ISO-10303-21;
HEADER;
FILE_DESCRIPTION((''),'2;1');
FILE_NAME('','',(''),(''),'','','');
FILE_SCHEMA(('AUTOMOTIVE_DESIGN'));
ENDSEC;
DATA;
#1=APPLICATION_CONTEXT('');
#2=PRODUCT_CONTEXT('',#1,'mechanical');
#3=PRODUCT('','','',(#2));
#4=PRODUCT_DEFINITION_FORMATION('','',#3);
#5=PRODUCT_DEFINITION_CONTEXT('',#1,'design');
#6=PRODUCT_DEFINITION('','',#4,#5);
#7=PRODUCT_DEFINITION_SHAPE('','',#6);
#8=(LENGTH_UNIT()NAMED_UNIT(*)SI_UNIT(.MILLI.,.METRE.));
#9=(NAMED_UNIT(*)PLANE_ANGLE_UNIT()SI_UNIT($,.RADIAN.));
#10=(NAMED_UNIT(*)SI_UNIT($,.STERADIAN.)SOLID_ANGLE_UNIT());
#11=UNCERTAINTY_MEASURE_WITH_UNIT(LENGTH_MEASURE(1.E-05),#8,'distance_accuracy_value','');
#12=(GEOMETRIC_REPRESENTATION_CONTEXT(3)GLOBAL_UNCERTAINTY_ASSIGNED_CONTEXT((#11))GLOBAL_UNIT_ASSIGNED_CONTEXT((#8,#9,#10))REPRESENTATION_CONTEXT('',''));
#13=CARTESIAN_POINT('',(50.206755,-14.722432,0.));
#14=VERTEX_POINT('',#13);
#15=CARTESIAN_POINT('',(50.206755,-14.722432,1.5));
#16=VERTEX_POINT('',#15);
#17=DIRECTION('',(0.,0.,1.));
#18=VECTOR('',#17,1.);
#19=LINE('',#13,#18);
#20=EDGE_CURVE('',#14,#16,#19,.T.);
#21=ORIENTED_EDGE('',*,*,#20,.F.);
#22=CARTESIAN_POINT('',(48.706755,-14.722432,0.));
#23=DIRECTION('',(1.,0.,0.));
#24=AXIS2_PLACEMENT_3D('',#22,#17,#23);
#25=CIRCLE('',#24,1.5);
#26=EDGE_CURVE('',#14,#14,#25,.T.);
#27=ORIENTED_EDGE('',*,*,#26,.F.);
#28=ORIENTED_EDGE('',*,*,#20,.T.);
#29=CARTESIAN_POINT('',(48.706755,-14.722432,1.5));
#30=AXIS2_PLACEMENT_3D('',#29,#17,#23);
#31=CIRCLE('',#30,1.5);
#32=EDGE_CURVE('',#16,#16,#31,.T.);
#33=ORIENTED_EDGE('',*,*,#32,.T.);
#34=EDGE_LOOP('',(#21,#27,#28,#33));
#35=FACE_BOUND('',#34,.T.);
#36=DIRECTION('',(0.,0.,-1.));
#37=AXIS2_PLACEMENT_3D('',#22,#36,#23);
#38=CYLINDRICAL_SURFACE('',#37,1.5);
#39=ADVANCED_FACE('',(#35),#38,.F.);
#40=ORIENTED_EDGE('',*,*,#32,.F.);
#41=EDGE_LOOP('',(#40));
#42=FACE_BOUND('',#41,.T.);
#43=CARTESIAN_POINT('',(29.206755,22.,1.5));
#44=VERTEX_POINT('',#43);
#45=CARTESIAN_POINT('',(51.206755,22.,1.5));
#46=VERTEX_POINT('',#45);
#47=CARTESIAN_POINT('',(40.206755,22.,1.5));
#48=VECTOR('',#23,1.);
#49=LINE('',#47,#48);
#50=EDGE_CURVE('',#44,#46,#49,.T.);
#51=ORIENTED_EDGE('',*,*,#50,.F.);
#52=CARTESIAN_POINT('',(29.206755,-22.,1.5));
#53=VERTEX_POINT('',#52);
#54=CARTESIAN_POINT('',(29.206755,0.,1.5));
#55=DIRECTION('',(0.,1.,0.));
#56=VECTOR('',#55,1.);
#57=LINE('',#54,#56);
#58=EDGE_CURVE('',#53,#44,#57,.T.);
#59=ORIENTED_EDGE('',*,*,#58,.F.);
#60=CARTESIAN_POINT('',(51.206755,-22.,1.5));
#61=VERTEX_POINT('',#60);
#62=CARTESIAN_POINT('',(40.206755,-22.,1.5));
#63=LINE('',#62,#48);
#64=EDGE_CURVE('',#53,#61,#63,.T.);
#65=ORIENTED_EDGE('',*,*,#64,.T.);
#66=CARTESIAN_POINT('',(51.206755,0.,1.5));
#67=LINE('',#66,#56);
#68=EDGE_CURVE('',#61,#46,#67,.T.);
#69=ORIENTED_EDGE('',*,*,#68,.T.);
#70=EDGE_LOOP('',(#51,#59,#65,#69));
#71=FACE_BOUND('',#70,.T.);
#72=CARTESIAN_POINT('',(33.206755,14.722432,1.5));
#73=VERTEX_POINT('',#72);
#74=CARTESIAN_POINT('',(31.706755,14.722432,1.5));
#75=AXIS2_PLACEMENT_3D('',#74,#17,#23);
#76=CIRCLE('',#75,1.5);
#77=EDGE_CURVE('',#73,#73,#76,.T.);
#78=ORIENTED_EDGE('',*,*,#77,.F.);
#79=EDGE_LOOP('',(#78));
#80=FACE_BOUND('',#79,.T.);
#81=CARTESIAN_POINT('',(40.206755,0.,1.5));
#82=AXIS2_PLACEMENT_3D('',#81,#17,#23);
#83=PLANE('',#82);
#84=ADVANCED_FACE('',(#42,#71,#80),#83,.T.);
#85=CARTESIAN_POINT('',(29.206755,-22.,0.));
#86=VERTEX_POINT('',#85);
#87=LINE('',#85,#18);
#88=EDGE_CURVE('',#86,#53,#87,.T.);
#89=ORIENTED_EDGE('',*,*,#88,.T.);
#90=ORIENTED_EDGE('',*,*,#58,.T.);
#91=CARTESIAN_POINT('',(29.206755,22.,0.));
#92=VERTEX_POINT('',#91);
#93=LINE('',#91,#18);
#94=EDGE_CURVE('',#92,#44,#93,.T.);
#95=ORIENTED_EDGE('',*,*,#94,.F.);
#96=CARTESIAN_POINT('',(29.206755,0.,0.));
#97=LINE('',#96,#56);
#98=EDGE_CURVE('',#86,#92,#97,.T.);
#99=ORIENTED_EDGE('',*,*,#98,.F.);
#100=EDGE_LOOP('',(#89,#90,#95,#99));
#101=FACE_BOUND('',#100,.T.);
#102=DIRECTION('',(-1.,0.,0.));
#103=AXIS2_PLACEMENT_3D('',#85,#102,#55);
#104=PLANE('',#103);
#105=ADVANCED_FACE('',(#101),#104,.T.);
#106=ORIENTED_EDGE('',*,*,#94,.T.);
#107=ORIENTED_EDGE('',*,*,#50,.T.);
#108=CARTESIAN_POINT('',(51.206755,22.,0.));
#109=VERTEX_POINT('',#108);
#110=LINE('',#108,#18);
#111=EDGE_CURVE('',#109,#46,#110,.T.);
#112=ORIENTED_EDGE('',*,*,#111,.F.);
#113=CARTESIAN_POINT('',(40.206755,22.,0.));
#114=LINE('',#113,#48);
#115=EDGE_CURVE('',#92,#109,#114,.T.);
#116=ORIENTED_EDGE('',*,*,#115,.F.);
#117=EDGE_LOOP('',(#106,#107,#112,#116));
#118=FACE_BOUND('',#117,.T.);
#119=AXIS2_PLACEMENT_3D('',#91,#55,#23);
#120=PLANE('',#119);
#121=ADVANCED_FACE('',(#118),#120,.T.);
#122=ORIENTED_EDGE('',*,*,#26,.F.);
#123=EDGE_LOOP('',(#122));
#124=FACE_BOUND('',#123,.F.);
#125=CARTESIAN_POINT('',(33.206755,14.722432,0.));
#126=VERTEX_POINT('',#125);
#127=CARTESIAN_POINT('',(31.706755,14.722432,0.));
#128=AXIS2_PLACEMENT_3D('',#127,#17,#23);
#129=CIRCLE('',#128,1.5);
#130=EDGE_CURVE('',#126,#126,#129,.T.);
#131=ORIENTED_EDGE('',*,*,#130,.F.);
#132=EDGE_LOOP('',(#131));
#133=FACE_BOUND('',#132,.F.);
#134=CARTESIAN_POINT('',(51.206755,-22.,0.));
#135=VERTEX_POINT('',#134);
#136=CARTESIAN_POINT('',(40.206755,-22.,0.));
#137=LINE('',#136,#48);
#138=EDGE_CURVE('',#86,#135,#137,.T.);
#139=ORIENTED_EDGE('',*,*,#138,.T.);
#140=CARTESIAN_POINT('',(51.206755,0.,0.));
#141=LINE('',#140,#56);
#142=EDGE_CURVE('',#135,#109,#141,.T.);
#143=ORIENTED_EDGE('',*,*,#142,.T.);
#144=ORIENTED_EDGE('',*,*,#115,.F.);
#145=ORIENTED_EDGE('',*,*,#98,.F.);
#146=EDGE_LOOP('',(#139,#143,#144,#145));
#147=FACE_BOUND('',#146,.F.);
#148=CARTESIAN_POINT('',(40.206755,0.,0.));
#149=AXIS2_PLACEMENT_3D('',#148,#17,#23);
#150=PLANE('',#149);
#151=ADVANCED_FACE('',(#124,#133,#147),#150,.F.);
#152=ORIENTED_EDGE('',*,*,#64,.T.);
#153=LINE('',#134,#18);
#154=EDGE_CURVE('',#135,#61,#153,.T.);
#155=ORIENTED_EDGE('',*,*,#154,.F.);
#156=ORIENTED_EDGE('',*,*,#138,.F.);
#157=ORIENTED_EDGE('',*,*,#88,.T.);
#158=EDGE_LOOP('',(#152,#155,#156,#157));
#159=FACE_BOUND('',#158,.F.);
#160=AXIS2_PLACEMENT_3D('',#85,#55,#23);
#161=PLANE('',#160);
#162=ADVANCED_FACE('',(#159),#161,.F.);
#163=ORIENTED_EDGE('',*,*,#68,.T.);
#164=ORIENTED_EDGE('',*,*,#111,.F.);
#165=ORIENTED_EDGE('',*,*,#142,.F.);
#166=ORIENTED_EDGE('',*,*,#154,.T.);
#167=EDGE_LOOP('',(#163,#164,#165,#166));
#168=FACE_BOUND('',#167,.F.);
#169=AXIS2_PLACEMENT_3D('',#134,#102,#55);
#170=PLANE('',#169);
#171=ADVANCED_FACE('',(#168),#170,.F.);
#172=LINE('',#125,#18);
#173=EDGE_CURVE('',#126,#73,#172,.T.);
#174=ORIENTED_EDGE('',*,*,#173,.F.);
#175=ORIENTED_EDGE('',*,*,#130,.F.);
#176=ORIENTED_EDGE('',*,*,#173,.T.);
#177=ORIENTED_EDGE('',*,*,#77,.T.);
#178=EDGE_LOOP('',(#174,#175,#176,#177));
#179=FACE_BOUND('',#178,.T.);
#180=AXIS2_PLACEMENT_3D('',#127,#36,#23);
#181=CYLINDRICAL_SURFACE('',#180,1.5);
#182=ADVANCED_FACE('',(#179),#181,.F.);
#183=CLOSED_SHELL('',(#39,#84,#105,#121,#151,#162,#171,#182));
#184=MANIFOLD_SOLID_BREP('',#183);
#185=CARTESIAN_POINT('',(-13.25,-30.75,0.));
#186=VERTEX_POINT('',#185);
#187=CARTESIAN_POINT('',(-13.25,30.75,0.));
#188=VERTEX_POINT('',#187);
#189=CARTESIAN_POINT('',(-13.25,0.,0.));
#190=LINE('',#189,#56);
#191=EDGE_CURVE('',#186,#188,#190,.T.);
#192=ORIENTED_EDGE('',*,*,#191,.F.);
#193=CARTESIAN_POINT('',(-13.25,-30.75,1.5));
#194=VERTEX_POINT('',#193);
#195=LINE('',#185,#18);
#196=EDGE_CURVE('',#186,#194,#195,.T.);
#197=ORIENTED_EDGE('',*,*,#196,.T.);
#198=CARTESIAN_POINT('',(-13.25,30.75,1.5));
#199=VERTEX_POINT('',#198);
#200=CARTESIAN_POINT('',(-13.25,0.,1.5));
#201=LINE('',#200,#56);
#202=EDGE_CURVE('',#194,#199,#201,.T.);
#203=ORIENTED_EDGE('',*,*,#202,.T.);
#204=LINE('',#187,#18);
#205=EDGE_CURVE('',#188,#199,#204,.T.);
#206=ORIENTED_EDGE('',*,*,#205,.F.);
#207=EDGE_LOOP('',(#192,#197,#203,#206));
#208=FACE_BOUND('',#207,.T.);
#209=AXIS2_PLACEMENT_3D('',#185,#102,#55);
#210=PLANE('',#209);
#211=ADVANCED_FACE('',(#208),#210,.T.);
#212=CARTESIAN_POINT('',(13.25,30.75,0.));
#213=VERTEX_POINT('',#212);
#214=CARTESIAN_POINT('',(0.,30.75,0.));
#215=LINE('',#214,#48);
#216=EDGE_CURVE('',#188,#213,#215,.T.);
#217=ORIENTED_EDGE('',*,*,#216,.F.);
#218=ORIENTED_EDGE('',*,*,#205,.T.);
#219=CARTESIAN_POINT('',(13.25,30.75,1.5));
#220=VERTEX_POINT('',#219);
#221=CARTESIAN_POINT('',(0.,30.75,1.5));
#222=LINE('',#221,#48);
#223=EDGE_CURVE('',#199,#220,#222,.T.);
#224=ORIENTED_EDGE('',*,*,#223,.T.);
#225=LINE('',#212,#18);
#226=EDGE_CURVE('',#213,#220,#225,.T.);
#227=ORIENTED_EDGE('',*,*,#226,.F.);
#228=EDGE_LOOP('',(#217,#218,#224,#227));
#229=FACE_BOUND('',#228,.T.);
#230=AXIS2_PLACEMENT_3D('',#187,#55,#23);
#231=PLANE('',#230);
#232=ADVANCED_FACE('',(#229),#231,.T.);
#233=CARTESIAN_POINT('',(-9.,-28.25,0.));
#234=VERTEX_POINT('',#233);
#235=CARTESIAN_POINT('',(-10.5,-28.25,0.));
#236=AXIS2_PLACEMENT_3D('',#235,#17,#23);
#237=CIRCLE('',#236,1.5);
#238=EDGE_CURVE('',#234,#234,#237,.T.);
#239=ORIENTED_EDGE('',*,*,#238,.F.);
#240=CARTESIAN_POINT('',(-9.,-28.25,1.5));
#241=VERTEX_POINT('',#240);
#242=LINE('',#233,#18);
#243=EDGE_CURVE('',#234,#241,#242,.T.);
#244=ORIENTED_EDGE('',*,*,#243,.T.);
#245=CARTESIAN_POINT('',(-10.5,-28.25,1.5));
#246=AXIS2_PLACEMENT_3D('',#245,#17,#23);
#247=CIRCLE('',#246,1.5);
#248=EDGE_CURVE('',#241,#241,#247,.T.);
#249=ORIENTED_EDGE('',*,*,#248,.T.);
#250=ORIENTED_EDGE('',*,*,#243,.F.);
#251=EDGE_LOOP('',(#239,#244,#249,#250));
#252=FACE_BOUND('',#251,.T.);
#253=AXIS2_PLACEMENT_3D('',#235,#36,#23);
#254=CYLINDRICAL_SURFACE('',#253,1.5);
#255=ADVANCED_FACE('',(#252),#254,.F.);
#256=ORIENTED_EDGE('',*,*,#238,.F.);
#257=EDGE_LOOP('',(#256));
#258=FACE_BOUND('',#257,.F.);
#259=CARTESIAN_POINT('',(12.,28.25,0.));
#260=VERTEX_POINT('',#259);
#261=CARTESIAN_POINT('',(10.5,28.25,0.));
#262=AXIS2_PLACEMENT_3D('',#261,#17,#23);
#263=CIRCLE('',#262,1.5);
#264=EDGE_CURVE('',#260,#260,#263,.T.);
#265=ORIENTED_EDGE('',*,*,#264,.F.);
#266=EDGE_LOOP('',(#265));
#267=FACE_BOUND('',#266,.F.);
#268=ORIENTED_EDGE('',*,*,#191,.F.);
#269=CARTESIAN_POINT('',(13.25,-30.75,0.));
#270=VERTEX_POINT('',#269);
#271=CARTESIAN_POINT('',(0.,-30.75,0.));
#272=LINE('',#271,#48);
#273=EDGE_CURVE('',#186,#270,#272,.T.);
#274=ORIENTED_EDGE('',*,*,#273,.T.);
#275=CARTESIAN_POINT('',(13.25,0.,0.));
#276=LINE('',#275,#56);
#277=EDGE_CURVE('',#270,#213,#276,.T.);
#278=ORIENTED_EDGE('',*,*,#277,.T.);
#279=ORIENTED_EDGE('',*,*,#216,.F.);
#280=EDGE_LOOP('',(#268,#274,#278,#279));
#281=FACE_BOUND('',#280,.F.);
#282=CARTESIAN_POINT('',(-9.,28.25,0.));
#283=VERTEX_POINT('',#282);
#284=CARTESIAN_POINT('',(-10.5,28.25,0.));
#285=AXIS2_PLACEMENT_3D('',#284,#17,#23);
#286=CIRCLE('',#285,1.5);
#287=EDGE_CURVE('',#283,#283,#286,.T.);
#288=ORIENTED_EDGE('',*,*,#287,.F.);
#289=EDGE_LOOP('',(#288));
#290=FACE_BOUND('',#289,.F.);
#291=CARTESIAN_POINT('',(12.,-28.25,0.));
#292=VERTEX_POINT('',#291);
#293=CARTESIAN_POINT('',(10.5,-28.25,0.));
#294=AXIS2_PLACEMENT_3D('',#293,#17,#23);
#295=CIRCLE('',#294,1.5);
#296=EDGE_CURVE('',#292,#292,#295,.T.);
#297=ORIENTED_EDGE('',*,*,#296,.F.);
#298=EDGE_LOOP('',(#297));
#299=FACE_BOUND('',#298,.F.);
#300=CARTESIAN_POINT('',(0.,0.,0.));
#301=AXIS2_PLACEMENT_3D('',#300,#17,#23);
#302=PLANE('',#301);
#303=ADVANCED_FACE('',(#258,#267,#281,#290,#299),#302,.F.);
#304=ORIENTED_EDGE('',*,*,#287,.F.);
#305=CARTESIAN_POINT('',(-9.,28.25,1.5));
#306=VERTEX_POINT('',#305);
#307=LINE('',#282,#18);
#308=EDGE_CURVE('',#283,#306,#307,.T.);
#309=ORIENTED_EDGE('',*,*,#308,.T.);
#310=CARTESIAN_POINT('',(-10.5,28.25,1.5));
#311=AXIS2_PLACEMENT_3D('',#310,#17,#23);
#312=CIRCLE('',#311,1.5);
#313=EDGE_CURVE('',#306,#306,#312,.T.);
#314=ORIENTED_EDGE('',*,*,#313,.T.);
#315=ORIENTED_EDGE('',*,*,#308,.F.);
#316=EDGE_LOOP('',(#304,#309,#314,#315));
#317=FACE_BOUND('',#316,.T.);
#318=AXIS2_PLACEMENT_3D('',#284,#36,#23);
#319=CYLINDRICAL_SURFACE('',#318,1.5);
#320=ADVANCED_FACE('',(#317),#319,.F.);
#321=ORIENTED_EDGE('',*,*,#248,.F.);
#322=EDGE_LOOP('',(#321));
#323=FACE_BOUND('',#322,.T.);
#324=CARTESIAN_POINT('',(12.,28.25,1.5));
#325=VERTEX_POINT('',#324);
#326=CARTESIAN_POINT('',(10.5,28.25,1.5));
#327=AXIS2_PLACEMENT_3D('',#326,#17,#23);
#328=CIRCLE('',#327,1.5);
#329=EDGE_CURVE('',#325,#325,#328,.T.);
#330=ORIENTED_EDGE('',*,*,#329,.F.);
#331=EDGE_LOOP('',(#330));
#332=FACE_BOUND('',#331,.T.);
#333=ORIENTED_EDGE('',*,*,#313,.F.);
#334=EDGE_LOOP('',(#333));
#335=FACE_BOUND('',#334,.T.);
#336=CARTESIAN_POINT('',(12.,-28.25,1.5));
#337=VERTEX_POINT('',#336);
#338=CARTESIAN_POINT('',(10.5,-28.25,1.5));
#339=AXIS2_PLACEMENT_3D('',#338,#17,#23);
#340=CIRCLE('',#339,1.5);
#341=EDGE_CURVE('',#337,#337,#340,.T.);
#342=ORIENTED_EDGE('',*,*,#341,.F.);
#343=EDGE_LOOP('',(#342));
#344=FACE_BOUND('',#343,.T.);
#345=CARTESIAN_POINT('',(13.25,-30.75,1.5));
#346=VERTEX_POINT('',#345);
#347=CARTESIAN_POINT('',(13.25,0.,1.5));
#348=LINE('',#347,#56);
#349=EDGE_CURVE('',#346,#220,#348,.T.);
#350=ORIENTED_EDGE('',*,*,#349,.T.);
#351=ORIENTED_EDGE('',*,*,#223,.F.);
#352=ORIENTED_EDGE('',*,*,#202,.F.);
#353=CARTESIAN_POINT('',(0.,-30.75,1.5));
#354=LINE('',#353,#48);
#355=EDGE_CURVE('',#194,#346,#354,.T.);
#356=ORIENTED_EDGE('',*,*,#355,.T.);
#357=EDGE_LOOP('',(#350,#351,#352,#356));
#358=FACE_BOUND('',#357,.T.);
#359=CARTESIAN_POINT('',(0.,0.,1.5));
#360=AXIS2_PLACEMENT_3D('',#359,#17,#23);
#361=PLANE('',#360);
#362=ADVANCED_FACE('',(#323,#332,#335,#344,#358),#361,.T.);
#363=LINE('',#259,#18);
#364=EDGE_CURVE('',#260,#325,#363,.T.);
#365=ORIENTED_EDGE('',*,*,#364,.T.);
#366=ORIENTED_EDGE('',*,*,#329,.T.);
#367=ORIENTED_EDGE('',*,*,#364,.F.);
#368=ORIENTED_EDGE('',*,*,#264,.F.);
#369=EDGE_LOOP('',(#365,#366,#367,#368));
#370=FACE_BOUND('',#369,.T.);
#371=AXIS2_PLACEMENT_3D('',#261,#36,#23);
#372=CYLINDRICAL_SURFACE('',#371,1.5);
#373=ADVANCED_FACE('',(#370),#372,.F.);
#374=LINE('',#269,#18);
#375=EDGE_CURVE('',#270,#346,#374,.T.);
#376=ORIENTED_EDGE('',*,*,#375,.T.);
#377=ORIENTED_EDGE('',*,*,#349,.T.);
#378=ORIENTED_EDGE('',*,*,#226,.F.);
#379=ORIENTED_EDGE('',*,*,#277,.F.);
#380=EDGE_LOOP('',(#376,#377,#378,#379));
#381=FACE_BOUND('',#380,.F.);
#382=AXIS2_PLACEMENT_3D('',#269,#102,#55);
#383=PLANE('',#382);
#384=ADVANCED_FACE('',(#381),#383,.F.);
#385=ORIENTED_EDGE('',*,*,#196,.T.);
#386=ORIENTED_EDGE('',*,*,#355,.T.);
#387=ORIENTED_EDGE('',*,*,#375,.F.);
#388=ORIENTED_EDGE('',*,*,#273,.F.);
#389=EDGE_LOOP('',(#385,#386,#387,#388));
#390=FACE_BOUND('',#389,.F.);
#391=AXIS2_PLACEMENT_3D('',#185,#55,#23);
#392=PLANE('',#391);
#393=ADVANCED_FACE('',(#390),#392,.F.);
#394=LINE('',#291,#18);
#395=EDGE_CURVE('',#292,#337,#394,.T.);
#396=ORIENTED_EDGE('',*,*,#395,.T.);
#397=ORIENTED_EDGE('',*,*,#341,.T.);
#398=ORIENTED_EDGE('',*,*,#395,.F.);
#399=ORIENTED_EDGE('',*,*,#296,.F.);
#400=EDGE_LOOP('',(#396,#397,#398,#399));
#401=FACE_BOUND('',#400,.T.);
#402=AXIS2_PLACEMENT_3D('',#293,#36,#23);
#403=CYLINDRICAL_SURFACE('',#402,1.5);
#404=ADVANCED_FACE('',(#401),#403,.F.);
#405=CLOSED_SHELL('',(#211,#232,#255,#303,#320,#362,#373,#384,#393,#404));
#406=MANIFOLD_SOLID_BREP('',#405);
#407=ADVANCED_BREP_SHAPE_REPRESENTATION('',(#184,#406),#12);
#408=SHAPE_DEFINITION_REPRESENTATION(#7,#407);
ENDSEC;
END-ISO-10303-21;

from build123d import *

# Parameters (mm, degrees)
F0_W     = 26.5
F0_H     = 61.5
F0_R     = 1.5
F1_DEPTH = 1.5
F2_W     = 22
F2_H     = 44
F2_R     = 1.5
F3_DEPTH = 1.5


with BuildPart() as f1:
    # F0 (on Top) → F1 (new body)
    with BuildSketch(Plane.XY):
        Rectangle(F0_W, F0_H)
        with Locations((-10.5, -28.25)):
            Circle(F0_R, mode=Mode.SUBTRACT)
        with Locations((10.5, -28.25)):
            Circle(F0_R, mode=Mode.SUBTRACT)
        with Locations((-10.5, 28.25)):
            Circle(F0_R, mode=Mode.SUBTRACT)
        with Locations((10.5, 28.25)):
            Circle(F0_R, mode=Mode.SUBTRACT)
    extrude(amount=F1_DEPTH)


with BuildPart() as f3:
    # F2 (on Top) → F3 (new body)
    with BuildSketch(Plane.XY):
        with Locations((40.206755, 0)):
            Rectangle(F2_W, F2_H)
        with Locations((48.706755, -14.722432)):
            Circle(F2_R, mode=Mode.SUBTRACT)
        with Locations((31.706755, 14.722432)):
            Circle(F2_R, mode=Mode.SUBTRACT)
    extrude(amount=F3_DEPTH)


solid = Compound([f1.part, f3.part])
